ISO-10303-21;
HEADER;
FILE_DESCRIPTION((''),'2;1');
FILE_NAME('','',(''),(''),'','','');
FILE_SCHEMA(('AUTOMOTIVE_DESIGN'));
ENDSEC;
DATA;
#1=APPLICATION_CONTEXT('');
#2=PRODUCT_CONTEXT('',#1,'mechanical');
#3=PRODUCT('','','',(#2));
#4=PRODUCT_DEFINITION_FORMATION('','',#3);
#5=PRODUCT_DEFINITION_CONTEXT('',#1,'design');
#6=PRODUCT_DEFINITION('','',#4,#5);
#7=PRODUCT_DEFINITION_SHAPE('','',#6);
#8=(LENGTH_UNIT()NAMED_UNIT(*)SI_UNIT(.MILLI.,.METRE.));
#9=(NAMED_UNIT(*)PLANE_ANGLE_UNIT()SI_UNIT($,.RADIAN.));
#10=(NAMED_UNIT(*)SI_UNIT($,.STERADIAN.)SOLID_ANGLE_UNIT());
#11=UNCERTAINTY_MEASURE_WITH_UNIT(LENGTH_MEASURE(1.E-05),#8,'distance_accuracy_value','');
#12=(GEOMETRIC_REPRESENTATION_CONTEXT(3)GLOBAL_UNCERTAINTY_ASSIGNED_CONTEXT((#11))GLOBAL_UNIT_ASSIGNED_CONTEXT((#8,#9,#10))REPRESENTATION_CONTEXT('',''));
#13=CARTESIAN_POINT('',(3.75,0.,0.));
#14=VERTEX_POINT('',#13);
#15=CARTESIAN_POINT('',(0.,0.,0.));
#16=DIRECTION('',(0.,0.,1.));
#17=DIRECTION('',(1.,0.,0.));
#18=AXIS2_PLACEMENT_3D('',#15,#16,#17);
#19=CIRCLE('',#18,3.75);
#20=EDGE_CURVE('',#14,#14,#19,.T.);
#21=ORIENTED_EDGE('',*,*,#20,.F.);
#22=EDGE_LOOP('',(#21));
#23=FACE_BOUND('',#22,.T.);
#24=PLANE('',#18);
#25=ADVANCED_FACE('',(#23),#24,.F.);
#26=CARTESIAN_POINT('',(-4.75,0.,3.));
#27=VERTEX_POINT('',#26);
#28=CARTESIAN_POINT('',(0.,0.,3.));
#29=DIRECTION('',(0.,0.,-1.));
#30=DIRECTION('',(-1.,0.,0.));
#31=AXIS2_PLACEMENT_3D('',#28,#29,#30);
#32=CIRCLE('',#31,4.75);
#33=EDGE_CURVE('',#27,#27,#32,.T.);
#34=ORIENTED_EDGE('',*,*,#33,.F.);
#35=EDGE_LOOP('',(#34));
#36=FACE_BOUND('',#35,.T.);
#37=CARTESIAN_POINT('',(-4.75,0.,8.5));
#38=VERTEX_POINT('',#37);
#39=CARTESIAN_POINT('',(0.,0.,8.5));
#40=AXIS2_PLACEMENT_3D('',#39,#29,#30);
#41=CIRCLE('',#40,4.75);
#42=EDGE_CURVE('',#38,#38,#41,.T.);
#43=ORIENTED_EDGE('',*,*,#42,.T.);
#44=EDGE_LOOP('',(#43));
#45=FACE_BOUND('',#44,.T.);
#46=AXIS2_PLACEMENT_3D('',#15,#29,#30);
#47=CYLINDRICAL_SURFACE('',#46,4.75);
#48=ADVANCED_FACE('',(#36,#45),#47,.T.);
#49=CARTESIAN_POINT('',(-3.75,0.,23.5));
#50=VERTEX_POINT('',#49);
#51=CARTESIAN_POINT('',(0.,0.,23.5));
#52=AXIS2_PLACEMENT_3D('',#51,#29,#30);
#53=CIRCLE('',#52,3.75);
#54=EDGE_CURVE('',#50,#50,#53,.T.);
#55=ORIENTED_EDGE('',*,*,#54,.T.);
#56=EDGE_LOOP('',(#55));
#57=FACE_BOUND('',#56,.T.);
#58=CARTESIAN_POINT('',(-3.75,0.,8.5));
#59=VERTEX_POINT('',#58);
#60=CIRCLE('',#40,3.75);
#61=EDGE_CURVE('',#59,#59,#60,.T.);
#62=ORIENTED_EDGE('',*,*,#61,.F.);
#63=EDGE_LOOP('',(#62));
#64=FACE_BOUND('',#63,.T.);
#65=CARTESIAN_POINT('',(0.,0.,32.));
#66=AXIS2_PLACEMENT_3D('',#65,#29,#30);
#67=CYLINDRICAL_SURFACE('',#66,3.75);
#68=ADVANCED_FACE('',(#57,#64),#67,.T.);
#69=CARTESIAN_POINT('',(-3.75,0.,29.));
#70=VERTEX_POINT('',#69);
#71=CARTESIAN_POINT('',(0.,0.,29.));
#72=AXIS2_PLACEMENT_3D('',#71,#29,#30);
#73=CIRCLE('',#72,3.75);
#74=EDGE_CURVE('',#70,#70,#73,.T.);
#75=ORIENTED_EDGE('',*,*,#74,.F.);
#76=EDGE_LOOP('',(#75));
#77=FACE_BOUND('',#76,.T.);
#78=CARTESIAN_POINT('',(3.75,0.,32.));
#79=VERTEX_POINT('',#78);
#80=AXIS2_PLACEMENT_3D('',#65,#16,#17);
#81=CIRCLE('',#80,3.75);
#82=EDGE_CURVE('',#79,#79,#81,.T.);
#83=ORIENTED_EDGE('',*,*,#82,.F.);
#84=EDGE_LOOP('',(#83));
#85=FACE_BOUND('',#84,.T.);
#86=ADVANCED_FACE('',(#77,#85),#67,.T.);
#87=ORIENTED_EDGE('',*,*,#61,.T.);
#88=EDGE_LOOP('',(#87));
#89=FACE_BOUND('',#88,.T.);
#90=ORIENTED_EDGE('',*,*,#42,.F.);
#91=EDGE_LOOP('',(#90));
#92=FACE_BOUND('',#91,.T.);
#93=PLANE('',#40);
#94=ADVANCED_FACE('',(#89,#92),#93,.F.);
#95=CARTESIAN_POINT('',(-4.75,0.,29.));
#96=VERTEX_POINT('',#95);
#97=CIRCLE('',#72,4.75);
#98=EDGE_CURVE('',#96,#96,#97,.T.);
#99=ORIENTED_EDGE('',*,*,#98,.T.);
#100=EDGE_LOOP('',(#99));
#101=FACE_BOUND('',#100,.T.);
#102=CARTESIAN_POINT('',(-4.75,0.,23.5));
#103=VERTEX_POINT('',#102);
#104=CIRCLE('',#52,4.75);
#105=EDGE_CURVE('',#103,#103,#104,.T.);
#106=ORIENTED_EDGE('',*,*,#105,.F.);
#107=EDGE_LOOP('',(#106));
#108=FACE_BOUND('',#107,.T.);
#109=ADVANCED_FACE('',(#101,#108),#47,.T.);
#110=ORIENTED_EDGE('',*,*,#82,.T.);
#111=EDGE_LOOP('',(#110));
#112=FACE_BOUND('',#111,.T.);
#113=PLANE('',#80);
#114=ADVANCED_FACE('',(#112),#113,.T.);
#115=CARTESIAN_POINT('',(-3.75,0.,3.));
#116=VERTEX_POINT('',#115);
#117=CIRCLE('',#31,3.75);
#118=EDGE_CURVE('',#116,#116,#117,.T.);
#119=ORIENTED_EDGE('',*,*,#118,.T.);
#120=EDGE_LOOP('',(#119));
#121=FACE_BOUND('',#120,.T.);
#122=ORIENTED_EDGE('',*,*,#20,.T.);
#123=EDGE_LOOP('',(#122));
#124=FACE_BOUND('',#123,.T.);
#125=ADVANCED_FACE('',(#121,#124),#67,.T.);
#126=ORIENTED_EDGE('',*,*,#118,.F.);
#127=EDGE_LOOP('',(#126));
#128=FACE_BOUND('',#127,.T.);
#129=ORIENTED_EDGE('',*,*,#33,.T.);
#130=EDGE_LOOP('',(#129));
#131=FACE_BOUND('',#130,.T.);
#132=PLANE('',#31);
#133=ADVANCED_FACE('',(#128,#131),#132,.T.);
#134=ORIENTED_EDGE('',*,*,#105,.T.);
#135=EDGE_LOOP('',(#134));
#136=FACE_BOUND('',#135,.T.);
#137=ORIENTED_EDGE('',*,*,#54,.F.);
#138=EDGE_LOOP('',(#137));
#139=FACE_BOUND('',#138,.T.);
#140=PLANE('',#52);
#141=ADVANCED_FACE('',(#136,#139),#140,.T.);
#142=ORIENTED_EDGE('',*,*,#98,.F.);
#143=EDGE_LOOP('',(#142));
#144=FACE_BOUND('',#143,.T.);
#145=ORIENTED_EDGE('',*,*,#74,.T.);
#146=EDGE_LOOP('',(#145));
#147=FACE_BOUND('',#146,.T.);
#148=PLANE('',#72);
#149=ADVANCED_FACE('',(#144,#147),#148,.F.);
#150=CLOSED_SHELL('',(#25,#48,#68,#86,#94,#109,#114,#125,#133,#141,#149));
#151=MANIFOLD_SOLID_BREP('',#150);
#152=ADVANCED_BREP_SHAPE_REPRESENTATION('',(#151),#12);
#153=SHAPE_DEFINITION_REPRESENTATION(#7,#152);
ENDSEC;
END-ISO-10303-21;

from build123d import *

# Parameters (mm, degrees)
SKETCH1_R           = 3.75
BOSS_EXTRUDE1_DEPTH = 32
SKETCH2_W           = 1
SKETCH2_H           = 5.5


with BuildPart() as part:
    # Sketch1 → Boss-Extrude1 (new body)
    with BuildSketch(Plane.XY):
        Circle(SKETCH1_R)
    extrude(amount=BOSS_EXTRUDE1_DEPTH)

    # Sketch2 → Revolve1 (revolve)
    with BuildSketch(Plane(origin=(0, 0, 0), x_dir=(1, 0, 0), z_dir=(0, 1, 0))):
        with Locations((4.25, -26.25)):
            Rectangle(SKETCH2_W, SKETCH2_H)
        with Locations((4.25, -5.75)):
            Rectangle(SKETCH2_W, SKETCH2_H)
    revolve(axis=Axis((0, 0, 0), (0, 0, 1)))


solid = part.part
